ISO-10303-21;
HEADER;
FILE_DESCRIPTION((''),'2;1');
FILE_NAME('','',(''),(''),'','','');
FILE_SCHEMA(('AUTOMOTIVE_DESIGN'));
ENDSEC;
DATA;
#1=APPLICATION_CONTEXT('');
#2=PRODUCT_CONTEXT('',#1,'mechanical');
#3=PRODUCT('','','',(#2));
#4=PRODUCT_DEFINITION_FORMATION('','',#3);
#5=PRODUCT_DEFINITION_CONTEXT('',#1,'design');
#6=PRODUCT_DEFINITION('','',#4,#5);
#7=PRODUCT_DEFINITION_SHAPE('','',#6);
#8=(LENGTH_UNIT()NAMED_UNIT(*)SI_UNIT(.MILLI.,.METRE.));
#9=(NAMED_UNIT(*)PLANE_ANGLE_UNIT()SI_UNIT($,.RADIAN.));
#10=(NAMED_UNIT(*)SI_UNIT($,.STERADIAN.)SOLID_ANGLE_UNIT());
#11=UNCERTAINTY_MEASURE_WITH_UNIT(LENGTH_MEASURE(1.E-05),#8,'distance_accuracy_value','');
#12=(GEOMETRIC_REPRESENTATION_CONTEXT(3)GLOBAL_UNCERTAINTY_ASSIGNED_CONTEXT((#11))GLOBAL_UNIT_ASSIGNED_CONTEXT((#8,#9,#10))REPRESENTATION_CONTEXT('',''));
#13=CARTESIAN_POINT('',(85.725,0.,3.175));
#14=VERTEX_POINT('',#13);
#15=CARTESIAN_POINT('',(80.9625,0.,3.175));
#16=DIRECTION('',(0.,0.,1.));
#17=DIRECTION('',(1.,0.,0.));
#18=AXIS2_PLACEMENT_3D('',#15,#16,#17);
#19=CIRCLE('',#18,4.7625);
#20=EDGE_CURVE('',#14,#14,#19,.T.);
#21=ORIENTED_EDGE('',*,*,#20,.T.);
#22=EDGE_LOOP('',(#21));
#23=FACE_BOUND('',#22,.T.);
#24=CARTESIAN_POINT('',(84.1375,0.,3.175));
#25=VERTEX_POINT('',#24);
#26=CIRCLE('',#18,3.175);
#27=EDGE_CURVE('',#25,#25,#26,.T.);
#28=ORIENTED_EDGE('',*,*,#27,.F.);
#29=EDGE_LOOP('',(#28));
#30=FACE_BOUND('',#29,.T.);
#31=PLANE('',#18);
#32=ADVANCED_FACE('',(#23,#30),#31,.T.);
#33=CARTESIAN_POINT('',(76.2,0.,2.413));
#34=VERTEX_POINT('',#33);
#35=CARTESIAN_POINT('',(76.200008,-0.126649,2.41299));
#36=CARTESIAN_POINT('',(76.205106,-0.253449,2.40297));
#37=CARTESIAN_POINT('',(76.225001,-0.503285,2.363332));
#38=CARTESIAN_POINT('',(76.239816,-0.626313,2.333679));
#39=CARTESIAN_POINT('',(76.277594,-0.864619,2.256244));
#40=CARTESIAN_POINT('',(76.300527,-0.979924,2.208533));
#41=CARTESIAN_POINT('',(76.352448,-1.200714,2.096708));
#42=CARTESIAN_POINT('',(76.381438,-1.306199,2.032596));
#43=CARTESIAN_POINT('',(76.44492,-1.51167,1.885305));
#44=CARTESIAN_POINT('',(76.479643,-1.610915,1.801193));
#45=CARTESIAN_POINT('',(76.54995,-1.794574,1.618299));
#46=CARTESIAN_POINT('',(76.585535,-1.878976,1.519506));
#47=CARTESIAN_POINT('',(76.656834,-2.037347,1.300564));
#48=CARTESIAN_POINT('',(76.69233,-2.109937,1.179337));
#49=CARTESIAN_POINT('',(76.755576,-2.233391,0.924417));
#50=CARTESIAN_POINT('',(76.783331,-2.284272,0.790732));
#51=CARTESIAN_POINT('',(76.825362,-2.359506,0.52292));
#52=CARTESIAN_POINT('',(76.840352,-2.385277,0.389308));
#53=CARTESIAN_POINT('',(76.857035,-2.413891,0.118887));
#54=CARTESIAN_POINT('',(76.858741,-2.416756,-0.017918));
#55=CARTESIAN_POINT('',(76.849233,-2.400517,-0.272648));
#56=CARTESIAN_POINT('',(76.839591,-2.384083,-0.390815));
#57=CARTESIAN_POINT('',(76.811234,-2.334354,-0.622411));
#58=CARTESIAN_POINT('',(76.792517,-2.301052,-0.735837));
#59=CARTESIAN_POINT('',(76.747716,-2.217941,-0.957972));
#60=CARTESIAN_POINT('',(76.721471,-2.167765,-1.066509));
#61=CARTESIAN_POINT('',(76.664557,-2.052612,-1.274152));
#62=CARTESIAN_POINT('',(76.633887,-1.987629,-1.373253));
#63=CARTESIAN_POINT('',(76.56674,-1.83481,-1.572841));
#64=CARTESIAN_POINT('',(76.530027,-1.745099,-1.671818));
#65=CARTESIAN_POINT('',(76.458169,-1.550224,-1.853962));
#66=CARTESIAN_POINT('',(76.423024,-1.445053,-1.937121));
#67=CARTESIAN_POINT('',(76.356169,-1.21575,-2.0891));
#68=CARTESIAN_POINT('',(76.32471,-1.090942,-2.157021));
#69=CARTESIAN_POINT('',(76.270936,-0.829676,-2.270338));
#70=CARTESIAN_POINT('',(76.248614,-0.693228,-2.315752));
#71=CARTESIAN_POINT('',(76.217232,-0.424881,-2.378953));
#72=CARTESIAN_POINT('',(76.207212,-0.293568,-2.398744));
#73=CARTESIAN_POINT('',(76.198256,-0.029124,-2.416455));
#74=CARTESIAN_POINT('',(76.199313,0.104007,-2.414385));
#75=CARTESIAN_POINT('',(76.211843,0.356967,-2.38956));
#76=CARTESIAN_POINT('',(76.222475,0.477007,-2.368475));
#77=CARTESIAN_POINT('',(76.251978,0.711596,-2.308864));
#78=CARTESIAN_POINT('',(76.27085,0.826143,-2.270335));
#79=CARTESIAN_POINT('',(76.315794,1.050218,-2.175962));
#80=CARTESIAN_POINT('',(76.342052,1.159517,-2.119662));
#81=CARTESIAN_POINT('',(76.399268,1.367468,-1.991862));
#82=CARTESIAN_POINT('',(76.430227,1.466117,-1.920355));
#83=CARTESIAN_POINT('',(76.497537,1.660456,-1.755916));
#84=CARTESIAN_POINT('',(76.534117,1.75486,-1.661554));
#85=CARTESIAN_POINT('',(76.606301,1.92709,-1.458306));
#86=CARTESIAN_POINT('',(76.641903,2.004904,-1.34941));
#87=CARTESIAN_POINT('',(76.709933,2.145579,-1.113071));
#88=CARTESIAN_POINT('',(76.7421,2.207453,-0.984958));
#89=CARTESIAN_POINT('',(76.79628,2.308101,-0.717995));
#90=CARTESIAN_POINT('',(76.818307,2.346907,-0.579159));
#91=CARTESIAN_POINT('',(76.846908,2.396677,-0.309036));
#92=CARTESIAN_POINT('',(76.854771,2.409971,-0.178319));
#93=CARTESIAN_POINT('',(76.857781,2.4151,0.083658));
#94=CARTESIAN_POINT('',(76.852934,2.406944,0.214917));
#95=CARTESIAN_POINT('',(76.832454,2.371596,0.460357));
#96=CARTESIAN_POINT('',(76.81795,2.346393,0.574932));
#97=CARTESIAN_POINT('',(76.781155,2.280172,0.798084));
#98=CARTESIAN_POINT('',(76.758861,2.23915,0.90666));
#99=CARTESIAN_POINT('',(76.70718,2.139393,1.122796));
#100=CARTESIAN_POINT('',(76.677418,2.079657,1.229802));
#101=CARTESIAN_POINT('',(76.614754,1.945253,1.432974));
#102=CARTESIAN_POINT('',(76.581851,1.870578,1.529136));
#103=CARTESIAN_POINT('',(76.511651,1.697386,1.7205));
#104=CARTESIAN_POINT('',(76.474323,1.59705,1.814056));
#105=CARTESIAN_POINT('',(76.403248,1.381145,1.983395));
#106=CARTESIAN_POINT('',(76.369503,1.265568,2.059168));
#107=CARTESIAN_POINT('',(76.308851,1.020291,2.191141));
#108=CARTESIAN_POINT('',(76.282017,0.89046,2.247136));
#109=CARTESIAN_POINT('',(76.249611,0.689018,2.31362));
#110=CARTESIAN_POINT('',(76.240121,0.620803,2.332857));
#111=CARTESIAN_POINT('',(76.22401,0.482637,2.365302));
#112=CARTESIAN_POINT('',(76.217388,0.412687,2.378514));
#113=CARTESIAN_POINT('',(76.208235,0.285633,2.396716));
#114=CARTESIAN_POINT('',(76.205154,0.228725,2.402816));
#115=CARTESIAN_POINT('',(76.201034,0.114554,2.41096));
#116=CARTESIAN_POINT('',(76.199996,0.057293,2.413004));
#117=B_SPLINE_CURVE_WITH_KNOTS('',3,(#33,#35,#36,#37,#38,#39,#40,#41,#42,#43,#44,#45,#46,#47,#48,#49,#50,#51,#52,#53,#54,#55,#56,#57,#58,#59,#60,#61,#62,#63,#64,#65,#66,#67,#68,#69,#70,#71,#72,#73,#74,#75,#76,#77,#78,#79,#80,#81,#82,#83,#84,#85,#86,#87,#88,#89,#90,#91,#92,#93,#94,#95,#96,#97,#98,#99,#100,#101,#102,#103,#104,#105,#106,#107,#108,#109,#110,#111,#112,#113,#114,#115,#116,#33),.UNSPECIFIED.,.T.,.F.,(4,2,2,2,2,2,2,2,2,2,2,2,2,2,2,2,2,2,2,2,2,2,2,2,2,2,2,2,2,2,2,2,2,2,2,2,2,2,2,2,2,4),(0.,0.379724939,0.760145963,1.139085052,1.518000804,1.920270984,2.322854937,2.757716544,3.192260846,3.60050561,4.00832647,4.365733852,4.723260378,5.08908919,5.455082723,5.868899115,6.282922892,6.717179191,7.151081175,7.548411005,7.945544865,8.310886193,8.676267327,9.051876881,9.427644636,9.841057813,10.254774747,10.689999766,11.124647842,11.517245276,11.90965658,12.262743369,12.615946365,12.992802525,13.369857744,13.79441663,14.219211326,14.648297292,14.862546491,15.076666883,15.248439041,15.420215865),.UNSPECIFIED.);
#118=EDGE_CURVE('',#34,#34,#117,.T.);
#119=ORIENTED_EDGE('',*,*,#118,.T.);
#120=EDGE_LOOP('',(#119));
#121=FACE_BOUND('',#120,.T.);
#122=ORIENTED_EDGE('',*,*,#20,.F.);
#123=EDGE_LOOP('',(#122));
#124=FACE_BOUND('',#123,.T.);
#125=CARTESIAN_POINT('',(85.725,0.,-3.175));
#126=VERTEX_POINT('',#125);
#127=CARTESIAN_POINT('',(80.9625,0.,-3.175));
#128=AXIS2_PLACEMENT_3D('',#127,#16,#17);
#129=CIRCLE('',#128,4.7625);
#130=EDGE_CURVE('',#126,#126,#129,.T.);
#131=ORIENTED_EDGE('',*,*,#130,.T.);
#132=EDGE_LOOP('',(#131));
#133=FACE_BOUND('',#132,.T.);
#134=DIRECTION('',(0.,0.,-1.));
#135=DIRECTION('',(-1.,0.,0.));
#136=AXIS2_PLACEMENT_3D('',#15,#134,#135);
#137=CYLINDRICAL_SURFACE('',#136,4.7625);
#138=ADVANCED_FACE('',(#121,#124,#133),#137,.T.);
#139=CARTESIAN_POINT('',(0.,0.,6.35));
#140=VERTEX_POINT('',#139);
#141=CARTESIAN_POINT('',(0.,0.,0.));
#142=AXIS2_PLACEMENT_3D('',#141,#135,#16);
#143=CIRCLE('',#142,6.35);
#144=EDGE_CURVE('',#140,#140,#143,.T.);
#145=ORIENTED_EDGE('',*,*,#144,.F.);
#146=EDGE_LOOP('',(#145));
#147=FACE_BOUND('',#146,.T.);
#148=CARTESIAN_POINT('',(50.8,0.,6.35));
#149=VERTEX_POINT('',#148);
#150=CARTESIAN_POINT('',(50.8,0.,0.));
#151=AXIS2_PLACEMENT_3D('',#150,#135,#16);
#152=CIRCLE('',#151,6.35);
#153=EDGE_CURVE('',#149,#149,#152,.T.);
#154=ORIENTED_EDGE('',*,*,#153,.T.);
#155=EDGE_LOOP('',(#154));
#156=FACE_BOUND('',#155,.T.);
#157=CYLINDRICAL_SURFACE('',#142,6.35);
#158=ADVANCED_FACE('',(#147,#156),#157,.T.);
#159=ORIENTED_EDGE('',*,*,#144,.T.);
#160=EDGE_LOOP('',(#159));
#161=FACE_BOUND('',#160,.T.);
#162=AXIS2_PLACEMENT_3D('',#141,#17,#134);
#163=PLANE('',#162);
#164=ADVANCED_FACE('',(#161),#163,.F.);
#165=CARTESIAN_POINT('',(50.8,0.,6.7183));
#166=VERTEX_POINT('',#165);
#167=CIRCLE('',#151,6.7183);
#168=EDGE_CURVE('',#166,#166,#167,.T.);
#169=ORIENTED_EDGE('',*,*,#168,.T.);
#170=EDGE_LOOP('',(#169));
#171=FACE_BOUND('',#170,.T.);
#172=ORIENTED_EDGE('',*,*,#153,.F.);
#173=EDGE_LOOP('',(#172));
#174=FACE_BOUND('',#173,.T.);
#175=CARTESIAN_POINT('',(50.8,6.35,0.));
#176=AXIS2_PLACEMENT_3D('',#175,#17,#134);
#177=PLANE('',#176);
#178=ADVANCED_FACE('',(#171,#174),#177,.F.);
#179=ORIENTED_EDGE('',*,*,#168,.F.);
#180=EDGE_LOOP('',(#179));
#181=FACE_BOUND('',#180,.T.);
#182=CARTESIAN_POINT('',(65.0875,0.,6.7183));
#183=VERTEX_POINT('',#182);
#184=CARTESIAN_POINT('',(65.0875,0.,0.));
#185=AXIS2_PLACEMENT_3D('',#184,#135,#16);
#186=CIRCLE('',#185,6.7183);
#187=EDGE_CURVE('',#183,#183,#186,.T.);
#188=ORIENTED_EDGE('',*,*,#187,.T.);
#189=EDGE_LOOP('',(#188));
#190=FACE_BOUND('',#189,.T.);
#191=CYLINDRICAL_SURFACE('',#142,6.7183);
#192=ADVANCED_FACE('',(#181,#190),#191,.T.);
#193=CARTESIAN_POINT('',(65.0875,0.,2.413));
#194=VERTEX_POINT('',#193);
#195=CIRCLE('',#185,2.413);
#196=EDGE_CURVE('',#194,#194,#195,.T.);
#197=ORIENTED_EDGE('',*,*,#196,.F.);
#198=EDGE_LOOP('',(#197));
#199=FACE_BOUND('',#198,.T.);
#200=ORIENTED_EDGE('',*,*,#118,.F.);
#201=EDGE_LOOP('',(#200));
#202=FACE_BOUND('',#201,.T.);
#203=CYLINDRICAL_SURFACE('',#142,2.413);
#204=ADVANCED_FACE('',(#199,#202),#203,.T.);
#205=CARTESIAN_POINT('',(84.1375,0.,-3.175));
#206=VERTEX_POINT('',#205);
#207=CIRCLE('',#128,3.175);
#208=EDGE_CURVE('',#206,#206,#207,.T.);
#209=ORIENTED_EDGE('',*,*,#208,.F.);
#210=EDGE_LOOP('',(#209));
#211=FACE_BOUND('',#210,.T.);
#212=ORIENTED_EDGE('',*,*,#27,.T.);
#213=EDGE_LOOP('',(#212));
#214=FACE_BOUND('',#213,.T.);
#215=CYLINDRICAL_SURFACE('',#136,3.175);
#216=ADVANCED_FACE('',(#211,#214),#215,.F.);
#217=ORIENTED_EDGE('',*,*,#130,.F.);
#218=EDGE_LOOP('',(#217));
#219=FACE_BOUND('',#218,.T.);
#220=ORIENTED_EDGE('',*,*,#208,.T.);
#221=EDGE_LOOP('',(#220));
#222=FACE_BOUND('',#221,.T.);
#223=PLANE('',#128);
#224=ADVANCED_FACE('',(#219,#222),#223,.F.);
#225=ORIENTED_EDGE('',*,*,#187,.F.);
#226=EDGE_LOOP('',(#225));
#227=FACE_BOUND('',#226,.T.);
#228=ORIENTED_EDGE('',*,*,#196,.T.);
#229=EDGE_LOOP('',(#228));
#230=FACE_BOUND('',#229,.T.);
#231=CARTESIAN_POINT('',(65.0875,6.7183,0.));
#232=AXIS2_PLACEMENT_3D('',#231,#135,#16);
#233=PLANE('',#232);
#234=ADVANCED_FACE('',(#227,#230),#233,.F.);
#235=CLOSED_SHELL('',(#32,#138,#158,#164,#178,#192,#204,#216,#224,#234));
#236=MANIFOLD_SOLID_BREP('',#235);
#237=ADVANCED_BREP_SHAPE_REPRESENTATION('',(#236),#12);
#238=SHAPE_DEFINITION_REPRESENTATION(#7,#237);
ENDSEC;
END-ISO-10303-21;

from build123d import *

# Parameters (mm, degrees)
SKETCH3_R           = 4.7625
SKETCH3_R_2         = 3.175
BOSS_EXTRUDE1_DEPTH = 3.175


with BuildPart() as part:
    # Sketch2 → Revolve1 (revolve)
    with BuildSketch(Plane.XY):
        Polygon((0, 0), (0, 6.35), (50.8, 6.35), (50.8, 6.7183), (65.0875, 6.7183), (65.0875, 2.413), (77.7875, 2.413), (77.7875, 0), align=None)
    revolve(axis=Axis((0, 0, 0), (1, 0, 0)))

    # Sketch3 → Boss-Extrude1 (add, symmetric)
    with BuildSketch(Plane.XY):
        with Locations((80.9625, 0)):
            Circle(SKETCH3_R)
        with Locations((80.9625, 0)):
            Circle(SKETCH3_R_2, mode=Mode.SUBTRACT)
    extrude(amount=BOSS_EXTRUDE1_DEPTH, both=True)


solid = part.part
